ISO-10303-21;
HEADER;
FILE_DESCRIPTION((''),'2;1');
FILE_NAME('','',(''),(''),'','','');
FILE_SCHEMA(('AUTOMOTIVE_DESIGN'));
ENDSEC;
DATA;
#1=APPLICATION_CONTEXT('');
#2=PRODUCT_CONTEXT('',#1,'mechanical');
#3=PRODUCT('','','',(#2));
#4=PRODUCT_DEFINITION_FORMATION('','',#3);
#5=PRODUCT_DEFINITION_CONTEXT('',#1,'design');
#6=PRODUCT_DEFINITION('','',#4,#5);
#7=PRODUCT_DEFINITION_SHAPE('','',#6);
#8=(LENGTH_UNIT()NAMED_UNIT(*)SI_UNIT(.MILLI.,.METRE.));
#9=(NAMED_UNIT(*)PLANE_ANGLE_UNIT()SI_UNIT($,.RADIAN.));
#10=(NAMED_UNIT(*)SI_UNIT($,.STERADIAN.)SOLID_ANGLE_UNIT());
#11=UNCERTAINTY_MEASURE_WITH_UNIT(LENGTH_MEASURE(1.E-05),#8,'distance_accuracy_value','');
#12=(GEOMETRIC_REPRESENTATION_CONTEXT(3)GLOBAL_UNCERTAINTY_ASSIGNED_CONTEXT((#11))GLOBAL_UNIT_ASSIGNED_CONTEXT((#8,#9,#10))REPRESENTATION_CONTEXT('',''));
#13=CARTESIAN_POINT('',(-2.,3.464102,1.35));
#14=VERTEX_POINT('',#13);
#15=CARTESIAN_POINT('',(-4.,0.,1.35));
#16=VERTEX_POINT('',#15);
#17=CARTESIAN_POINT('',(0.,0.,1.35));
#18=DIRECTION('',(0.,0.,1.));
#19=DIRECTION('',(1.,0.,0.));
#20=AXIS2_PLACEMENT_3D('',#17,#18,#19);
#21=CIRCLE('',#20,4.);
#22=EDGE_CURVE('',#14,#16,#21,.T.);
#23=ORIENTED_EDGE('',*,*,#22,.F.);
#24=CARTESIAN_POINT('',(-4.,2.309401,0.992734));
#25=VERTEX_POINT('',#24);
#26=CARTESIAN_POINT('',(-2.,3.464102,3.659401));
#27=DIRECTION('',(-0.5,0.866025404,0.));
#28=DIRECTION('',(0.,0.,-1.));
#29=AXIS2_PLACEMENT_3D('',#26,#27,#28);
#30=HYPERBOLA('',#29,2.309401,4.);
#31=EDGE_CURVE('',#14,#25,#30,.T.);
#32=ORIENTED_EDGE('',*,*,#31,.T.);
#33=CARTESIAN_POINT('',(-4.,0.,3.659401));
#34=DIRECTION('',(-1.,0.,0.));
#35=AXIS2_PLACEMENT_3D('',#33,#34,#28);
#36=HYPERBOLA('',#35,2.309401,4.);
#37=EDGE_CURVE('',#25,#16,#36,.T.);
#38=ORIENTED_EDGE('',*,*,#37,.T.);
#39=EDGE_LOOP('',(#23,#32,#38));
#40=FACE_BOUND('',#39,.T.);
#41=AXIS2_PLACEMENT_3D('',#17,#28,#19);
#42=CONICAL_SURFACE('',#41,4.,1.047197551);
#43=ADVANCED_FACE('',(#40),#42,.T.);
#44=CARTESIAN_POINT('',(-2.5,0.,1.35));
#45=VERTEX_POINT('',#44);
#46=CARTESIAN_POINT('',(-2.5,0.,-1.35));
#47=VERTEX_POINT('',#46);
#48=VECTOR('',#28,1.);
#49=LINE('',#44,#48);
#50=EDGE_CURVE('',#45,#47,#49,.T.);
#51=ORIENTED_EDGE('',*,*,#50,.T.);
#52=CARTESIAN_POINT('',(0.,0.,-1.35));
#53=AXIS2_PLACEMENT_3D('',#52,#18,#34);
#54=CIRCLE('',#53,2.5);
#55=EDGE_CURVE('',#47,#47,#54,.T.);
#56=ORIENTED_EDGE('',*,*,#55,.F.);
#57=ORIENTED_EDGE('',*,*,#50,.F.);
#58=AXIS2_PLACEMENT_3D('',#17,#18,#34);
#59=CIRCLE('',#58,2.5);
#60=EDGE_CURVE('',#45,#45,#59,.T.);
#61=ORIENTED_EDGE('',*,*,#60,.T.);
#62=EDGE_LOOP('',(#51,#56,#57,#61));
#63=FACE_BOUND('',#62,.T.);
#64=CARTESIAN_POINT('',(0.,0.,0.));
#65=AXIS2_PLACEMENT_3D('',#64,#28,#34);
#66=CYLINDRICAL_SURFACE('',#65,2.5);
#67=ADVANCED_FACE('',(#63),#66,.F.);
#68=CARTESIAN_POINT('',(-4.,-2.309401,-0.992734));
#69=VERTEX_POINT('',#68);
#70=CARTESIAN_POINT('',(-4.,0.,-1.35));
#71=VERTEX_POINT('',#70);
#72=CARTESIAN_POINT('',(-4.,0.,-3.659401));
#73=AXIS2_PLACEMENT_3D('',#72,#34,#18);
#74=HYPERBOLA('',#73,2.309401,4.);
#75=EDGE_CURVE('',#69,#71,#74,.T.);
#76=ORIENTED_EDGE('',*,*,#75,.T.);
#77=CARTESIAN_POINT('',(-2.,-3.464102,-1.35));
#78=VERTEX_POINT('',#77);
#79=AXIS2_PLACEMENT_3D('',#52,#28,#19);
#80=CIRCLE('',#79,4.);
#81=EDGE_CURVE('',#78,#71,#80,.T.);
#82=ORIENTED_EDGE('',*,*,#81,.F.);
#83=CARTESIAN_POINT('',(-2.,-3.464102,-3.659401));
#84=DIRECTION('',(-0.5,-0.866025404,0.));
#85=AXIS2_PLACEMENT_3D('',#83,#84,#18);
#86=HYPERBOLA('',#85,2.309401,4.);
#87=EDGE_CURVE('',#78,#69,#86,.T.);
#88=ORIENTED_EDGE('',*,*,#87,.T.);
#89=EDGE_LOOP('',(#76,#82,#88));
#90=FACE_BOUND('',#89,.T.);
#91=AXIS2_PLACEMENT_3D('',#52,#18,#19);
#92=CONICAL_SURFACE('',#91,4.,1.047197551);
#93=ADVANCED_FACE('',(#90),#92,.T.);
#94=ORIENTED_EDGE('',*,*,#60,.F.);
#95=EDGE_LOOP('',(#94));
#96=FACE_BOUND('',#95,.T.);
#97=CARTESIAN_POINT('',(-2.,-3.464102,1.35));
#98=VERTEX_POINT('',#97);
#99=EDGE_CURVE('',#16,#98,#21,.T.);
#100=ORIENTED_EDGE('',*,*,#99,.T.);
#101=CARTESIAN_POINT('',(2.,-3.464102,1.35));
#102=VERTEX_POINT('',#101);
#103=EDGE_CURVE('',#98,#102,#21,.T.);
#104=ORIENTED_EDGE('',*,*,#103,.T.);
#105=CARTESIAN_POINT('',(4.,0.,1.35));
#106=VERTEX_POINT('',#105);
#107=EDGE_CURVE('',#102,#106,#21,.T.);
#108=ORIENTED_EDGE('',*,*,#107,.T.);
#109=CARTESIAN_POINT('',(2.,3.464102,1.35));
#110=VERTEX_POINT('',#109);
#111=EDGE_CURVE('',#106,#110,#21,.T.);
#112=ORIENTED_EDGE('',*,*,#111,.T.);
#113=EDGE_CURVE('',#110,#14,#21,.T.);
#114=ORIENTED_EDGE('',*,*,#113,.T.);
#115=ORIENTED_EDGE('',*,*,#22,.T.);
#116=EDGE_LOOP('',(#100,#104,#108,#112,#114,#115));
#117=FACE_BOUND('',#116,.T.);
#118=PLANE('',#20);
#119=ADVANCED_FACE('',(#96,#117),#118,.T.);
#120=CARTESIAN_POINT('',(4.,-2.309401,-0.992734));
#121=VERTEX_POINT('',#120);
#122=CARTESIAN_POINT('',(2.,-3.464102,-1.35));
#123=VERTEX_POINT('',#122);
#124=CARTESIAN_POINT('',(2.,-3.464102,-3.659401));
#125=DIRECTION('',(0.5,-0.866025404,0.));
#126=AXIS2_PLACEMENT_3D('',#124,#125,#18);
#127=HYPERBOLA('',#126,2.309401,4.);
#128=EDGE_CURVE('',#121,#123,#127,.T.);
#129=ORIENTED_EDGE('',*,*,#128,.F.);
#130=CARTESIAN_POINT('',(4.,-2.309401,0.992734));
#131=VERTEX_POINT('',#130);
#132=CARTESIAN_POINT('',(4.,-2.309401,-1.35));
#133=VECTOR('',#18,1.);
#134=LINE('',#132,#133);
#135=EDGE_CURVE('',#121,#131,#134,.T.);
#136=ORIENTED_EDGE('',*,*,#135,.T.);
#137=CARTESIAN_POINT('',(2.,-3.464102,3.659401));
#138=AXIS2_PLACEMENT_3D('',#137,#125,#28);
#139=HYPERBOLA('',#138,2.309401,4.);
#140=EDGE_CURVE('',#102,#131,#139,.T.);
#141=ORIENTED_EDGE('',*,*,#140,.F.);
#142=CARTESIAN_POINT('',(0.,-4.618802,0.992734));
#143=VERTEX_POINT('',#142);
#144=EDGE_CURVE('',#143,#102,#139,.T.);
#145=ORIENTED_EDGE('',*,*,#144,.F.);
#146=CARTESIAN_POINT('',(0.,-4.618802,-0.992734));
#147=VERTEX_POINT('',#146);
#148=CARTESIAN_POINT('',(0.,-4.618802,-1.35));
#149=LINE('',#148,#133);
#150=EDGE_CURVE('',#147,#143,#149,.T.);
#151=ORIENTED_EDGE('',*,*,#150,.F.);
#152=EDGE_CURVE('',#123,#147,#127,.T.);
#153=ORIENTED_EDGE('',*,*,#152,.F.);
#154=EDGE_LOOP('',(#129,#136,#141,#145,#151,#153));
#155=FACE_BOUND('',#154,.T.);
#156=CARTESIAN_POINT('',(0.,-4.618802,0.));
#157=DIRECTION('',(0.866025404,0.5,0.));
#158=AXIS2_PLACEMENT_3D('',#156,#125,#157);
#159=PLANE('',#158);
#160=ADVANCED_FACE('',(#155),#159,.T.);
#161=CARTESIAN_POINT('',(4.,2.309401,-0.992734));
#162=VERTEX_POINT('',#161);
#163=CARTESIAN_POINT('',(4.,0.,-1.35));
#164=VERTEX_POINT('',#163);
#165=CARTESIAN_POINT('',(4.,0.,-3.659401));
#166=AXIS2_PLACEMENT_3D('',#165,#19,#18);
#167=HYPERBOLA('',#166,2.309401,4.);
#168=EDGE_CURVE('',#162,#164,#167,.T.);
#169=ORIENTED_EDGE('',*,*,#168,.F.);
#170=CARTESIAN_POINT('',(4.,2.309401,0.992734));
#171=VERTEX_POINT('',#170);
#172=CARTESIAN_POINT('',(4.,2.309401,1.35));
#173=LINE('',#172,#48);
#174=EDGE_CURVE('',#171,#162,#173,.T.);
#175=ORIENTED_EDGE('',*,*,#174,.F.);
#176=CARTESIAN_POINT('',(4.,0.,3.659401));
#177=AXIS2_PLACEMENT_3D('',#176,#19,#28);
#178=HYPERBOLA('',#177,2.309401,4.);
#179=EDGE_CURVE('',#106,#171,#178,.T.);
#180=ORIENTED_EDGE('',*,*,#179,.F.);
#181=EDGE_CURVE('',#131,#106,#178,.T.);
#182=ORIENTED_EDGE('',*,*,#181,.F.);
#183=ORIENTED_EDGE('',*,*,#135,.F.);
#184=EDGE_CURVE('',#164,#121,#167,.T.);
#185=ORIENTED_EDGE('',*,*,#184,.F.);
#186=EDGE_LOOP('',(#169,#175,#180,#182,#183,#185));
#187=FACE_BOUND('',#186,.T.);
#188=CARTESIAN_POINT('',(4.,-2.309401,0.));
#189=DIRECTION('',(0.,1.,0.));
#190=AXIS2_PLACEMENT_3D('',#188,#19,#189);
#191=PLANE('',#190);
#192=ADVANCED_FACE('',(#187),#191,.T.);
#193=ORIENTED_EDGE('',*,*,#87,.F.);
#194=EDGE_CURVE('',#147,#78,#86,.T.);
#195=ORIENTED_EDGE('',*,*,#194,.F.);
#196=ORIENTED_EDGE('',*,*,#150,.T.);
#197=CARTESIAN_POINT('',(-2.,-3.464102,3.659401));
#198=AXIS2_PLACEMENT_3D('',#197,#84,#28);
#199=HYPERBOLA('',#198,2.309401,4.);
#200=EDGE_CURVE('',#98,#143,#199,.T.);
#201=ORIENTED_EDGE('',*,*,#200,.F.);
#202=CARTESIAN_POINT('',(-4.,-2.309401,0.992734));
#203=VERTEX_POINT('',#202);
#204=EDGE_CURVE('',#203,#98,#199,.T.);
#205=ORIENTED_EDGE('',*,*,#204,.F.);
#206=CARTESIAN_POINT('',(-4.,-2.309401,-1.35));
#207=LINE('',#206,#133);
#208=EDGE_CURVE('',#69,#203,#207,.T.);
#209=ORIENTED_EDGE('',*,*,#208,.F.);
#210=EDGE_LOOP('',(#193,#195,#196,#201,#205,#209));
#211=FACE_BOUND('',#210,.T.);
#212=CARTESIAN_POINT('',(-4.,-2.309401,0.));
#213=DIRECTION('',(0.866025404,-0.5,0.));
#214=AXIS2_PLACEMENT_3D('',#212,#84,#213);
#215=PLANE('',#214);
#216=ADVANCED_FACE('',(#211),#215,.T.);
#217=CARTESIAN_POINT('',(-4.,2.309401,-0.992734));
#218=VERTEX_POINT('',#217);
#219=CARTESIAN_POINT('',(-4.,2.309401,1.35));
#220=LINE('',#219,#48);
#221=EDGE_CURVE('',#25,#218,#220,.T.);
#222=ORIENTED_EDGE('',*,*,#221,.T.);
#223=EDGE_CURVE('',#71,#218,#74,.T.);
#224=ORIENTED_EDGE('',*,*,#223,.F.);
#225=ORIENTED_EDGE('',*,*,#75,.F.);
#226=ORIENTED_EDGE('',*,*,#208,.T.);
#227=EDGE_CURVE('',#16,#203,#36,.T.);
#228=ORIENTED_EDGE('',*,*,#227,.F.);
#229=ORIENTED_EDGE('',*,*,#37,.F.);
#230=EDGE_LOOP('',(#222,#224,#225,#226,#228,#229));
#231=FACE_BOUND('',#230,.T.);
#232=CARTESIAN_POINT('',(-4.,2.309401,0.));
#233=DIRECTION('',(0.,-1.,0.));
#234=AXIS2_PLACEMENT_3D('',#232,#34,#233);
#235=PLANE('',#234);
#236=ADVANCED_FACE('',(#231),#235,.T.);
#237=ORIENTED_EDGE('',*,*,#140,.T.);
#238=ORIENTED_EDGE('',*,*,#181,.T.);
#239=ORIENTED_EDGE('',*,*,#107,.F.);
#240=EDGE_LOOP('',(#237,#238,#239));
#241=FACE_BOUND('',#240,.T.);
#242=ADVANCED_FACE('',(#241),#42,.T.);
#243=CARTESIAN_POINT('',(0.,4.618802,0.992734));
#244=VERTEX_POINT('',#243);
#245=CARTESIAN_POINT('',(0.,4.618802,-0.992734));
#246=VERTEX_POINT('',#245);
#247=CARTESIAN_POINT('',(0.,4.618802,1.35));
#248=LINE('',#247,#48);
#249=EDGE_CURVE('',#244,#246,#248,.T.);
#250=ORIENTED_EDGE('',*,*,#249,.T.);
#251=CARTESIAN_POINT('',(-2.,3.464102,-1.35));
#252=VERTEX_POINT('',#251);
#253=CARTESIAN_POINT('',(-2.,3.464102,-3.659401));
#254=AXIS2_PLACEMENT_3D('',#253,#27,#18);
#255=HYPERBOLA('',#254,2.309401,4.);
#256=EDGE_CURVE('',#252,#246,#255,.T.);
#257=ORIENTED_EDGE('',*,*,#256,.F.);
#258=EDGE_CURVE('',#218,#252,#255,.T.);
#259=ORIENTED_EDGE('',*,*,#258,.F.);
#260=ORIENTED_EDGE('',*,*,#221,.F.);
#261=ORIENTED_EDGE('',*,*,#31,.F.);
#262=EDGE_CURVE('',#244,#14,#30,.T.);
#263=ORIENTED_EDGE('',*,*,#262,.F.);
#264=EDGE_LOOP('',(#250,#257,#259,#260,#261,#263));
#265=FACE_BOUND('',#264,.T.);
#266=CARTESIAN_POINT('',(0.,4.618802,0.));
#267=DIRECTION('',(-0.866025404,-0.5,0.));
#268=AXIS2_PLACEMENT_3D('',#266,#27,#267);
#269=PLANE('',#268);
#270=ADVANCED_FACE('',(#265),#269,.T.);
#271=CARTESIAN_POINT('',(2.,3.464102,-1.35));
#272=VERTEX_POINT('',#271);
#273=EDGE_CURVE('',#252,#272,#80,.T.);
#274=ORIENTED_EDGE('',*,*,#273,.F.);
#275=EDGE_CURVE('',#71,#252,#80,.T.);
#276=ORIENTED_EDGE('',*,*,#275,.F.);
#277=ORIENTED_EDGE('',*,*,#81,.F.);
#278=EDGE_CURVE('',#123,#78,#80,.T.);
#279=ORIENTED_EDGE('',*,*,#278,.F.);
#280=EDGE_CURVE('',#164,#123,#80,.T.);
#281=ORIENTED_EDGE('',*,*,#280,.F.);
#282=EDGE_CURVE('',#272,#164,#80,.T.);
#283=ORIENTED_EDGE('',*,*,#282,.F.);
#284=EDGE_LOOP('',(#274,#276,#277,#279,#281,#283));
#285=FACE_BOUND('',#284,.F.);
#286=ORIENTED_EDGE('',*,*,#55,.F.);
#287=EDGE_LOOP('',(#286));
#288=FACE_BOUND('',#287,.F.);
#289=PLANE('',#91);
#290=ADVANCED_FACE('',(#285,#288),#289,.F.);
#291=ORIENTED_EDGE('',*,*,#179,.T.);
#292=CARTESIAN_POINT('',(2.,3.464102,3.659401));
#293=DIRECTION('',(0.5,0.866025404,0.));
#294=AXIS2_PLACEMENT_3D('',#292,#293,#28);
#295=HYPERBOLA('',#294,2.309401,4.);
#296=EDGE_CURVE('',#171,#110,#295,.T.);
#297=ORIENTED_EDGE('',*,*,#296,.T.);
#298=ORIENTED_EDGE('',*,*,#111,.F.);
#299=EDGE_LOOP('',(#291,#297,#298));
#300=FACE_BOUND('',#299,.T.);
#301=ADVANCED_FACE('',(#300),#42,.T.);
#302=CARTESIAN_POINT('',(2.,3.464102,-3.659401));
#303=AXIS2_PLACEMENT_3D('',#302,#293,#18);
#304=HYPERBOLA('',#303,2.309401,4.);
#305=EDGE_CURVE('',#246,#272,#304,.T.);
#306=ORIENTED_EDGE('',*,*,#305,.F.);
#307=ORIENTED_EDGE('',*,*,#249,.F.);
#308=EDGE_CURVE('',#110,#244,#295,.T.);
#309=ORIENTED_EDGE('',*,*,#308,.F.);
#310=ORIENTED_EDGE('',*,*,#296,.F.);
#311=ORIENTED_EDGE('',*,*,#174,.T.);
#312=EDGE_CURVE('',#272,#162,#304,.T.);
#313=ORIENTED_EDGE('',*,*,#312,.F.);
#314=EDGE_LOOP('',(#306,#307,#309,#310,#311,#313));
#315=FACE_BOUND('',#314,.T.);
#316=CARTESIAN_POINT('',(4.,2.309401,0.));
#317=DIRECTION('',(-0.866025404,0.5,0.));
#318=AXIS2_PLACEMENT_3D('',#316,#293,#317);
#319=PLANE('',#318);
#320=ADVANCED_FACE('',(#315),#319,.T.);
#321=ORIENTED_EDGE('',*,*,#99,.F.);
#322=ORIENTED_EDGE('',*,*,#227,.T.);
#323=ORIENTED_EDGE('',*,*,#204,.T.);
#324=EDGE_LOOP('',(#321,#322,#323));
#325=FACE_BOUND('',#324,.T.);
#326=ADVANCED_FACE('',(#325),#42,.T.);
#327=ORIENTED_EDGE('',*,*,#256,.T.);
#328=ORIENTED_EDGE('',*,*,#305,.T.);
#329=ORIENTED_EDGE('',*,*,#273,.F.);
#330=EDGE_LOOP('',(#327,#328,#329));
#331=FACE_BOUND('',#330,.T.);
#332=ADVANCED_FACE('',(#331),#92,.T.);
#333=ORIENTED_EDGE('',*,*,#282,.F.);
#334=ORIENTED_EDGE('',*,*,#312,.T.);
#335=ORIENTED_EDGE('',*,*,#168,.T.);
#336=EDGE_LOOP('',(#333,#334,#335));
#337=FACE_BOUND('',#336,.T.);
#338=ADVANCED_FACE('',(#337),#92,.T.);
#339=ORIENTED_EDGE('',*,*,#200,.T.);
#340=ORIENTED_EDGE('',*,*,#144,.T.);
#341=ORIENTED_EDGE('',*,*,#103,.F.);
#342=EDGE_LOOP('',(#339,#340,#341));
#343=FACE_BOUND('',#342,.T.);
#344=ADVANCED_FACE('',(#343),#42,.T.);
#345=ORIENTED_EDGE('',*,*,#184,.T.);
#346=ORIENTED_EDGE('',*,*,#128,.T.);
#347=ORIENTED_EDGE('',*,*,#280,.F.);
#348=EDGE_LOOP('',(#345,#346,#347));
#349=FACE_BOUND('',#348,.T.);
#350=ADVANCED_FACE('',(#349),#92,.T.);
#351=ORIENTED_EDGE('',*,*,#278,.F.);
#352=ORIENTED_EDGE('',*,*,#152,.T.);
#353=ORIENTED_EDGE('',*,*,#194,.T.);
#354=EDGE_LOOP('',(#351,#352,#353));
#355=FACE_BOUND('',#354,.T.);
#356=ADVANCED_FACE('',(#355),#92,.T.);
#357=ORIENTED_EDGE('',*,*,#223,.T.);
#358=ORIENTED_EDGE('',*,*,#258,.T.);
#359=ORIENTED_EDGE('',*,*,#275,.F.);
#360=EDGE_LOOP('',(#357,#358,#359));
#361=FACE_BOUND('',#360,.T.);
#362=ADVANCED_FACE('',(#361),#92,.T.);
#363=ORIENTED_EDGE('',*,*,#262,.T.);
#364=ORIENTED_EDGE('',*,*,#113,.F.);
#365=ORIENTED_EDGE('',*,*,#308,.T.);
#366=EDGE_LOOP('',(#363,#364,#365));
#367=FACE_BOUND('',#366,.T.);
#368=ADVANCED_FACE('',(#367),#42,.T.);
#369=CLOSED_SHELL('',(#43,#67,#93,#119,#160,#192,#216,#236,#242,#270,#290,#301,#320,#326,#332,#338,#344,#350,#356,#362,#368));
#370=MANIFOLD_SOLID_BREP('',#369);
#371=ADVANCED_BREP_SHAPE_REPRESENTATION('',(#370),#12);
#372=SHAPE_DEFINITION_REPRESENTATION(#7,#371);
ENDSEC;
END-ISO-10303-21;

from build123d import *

# Parameters (mm, degrees)
SZKIC1_R                    = 2.5
DODANIE_WYCI_GNI_CIE1_DEPTH = 1.35
SZKIC2_OUTSIDE_W            = 21.856
SZKIC2_OUTSIDE_H            = 23.094
SZKIC2_OUTSIDE_R            = 4
WYTNIJ_WYCI_GNI_CIE2_DEPTH  = 2.7
WYTNIJ_WYCI_GNI_CIE2_DRAFT  = -60
LUSTRO1_COPY_1_SKETCH_W     = 21.856
LUSTRO1_COPY_1_SKETCH_H     = 23.094
LUSTRO1_COPY_1_SKETCH_R     = 4
LUSTRO1_COPY_1_DEPTH        = 2.7
LUSTRO1_COPY_1_DRAFT        = -60


with BuildPart() as part:
    # Szkic1 → Dodanie-wyciągnięcie1 (new, symmetric)
    with BuildSketch(Plane.XY):
        Polygon((-4, 2.309401077), (-4, -2.309401077), (0, -4.618802154), (4, -2.309401077), (4, 2.309401077), (0, 4.618802154), align=None)
        with Locations(Location((0, 0, 0), (0, 0, 180))):
            Circle(SZKIC1_R, mode=Mode.SUBTRACT)
    extrude(amount=DODANIE_WYCI_GNI_CIE1_DEPTH, both=True)


with BuildPart() as wytnij_wyci_gni_cie2_tool:
    # Szkic2 outside → Wytnij-wyciągnięcie2 (with draft: the straight prism first)
    with BuildSketch(Plane.XY.offset(1.35)):
        Rectangle(SZKIC2_OUTSIDE_W, SZKIC2_OUTSIDE_H)
        Circle(SZKIC2_OUTSIDE_R, mode=Mode.SUBTRACT)
    extrude(amount=-WYTNIJ_WYCI_GNI_CIE2_DEPTH)
    # Wytnij-wyciągnięcie2: the draft: its side faces are tilted about the plane it starts from
    wytnij_wyci_gni_cie2_sides = [wytnij_wyci_gni_cie2_tool.faces().sort_by_distance(p)[0] for p in [
        (0, -11.547, 0),
        (10.928, 0, 0),
        (0, 11.547, 0),
        (-10.928, 0, 0),
        (-4, 0, 0),
    ]]
    draft(wytnij_wyci_gni_cie2_sides, Plane.XY.offset(1.35), WYTNIJ_WYCI_GNI_CIE2_DRAFT)


with BuildPart() as part_1:
    add(part.part)

    # Wytnij-wyciągnięcie2: cut by wytnij_wyci_gni_cie2_tool
    add(wytnij_wyci_gni_cie2_tool.part, mode=Mode.SUBTRACT)


with BuildPart() as lustro1_copy_1_tool:
    # Lustro1 copy 1 sketch → Lustro1 copy 1 (with draft: the straight prism first)
    with BuildSketch(Plane(origin=(0, 0, -1.35), x_dir=(1, 0, 0), z_dir=(0, 0, -1))):
        Rectangle(LUSTRO1_COPY_1_SKETCH_W, LUSTRO1_COPY_1_SKETCH_H)
        Circle(LUSTRO1_COPY_1_SKETCH_R, mode=Mode.SUBTRACT)
    extrude(amount=-LUSTRO1_COPY_1_DEPTH)
    # Lustro1 copy 1: the draft: its side faces are tilted about the plane it starts from
    lustro1_copy_1_sides = [lustro1_copy_1_tool.faces().sort_by_distance(p)[0] for p in [
        (0, -11.547, 0),
        (10.928, 0, 0),
        (0, 11.547, 0),
        (-10.928, 0, 0),
        (-4, 0, 0),
    ]]
    draft(lustro1_copy_1_sides, Plane(origin=(0, 0, -1.35), x_dir=(1, 0, 0), z_dir=(0, 0, -1)), LUSTRO1_COPY_1_DRAFT)


with BuildPart() as part_2:
    add(part_1.part)

    # Lustro1 copy 1: cut by lustro1_copy_1_tool
    add(lustro1_copy_1_tool.part, mode=Mode.SUBTRACT)


solid = part_2.part
